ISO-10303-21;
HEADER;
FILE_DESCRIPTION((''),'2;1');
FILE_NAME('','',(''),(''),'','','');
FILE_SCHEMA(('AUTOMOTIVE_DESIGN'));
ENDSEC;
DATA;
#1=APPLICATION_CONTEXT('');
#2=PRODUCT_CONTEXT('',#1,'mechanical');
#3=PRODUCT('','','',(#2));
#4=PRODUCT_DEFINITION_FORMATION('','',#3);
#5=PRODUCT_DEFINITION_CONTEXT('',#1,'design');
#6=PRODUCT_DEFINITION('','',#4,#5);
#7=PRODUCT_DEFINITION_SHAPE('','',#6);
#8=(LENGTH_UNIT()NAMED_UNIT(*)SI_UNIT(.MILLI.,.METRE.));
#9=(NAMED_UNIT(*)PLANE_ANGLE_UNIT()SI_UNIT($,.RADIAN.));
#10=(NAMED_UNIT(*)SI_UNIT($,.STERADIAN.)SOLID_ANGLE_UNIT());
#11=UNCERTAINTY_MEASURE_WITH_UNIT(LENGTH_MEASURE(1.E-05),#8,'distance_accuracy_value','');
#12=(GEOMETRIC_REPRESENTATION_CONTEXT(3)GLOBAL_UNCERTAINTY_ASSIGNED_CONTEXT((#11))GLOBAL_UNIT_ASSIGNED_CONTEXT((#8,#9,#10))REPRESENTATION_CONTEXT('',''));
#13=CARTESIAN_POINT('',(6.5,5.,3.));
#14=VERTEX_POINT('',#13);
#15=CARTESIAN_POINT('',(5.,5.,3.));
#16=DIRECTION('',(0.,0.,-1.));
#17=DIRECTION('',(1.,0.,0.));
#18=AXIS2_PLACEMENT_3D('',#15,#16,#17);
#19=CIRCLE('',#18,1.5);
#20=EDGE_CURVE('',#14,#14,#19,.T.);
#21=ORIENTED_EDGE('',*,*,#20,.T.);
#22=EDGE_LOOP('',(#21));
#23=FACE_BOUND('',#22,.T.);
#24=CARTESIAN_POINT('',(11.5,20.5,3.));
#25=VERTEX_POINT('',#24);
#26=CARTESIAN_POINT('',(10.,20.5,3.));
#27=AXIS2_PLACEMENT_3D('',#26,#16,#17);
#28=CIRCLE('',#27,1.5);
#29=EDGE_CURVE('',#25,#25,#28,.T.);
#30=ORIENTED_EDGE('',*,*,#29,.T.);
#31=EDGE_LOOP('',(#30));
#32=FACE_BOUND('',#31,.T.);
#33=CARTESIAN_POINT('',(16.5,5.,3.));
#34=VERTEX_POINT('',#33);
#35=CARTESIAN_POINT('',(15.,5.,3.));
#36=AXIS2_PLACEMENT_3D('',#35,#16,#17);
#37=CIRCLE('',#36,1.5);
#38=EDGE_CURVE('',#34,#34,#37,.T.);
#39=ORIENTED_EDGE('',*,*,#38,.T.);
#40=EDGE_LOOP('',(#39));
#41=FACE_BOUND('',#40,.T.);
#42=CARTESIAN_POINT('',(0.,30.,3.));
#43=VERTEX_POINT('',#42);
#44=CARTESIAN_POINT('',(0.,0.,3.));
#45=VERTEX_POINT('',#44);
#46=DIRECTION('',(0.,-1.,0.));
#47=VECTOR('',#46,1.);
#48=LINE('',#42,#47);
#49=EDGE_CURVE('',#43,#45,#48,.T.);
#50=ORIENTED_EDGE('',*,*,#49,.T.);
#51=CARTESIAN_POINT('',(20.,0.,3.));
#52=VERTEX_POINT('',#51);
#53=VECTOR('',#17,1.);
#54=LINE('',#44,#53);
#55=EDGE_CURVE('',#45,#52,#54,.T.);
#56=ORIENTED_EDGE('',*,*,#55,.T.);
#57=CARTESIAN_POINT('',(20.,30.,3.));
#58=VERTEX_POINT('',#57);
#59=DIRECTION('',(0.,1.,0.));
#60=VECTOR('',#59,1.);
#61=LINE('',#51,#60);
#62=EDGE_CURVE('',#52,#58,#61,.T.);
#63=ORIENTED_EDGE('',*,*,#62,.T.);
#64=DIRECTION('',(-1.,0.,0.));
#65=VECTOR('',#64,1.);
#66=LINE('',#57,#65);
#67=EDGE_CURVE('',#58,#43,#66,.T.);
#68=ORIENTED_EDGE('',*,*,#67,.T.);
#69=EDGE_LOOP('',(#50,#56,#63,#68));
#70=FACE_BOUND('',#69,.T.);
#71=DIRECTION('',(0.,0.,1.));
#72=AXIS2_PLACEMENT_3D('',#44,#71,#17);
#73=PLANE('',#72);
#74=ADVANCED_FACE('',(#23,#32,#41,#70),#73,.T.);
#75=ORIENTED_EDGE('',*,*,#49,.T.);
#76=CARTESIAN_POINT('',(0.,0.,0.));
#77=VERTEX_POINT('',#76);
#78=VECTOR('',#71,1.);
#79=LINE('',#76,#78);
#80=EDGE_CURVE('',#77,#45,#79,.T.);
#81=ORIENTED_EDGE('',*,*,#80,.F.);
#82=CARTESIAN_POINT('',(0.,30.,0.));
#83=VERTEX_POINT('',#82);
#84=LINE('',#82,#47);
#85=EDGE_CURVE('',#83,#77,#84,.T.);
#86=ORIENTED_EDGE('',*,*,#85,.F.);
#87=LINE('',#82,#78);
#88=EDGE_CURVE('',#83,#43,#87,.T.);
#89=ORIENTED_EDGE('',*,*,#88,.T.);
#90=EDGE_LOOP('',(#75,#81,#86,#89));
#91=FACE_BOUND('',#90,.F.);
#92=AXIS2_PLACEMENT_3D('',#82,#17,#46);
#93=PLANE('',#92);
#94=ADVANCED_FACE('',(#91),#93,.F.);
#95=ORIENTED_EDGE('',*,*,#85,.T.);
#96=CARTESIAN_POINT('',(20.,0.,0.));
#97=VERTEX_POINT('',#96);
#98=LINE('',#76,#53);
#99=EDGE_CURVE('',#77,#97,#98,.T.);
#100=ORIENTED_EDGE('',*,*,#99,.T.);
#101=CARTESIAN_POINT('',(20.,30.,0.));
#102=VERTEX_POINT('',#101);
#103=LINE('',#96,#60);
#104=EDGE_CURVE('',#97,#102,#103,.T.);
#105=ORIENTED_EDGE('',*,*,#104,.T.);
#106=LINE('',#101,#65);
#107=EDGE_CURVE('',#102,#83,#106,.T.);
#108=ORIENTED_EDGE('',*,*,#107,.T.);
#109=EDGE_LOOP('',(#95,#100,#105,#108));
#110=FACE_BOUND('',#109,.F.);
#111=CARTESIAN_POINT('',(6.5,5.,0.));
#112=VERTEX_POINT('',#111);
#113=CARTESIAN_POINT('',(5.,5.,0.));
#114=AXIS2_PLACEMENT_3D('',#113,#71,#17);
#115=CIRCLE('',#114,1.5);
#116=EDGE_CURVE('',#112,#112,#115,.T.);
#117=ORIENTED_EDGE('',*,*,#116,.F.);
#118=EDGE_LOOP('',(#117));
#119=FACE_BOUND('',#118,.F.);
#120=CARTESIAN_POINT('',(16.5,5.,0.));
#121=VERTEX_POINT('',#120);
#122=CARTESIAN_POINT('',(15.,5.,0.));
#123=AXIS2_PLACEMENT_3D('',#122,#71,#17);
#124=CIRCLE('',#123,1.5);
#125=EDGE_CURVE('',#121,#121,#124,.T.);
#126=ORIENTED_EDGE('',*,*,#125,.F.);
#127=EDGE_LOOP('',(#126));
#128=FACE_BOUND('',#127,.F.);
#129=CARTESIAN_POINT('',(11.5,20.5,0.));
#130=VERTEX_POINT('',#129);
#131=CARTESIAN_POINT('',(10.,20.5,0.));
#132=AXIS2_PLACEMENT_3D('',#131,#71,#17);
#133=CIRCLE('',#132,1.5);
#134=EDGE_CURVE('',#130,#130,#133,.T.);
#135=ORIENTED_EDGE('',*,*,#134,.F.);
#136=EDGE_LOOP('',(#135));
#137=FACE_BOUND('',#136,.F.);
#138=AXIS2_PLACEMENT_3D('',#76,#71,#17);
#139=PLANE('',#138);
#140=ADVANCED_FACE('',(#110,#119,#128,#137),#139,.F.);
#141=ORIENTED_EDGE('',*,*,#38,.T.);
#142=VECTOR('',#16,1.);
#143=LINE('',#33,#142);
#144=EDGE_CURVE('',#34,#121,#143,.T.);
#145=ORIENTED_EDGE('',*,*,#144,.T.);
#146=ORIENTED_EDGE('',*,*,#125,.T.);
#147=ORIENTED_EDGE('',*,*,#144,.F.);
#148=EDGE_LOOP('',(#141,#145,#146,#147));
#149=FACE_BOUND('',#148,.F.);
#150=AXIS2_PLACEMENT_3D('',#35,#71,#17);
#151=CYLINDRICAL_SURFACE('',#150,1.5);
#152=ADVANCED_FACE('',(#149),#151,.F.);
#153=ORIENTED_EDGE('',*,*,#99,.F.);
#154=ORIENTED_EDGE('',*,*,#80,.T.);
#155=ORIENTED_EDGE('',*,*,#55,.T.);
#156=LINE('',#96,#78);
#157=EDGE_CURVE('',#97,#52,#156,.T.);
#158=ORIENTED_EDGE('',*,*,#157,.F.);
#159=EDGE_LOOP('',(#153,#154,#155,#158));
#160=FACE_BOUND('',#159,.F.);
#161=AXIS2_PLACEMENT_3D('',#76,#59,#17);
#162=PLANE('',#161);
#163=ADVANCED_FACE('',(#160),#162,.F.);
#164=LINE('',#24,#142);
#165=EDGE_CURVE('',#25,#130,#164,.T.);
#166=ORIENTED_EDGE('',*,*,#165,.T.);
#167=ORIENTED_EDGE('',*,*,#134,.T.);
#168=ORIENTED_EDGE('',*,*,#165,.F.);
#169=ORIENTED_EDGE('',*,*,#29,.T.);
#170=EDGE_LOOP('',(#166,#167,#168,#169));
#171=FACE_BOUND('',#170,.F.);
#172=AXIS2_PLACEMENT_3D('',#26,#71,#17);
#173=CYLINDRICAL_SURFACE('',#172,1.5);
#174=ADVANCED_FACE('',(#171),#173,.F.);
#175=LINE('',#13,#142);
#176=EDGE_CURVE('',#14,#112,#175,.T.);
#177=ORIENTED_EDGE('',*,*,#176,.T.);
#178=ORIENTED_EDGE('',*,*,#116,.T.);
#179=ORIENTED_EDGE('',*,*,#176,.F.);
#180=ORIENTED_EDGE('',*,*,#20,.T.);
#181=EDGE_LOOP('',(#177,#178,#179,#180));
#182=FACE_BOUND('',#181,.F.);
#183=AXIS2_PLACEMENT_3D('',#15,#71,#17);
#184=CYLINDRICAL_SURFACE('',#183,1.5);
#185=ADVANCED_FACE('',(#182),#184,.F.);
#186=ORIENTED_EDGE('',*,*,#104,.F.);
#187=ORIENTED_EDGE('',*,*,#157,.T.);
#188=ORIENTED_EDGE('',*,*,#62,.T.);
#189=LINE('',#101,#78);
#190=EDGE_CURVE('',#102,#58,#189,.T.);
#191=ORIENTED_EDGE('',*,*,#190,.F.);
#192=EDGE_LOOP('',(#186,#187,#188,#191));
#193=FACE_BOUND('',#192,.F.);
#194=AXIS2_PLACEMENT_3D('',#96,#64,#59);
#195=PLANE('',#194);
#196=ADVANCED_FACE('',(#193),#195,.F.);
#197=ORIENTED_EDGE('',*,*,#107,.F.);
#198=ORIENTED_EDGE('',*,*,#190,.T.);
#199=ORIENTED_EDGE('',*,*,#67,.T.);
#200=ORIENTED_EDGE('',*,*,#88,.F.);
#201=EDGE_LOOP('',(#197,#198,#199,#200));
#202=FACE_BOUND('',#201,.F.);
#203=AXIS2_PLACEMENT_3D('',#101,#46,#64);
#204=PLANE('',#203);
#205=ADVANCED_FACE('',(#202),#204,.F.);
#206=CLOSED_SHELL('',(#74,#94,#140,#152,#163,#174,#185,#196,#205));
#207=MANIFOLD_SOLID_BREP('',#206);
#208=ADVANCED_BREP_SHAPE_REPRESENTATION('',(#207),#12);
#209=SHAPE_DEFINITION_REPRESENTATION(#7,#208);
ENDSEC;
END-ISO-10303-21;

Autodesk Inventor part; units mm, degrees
ref_plane "YZ Plane" through (0, 0, 0) normal (1, 0, 0) x (0, 1, 0)
ref_plane "XZ Plane" through (0, 0, 0) normal (0, 1, 0) x (-1, 0, 0)
ref_plane "XY Plane" through (0, 0, 0) normal (0, 0, 1) x (1, 0, 0)
sketch "Sketch1" plane through (0, 0, 0) normal (0, 0, 1) x (1, 0, 0)
  line L0 (0, 0) -> (20, 0)
  line L1 (20, 0) -> (20, 30)
  line L2 (20, 30) -> (0, 30)
  line L3 (0, 30) -> (0, 0)
  dimension "d0" = 20
  dimension "d1" = 30
extrude "Extrusion1" add sketch "Sketch1" along normal blind 3
sketch "Sketch2" plane through (0, 0, 3) normal (0, 0, 1) x (1, 0, 0)
  line L0 (0, 0) -> (20, 0) projected
  line L1 (20, 0) -> (20, 30) projected
  line L2 (20, 30) -> (0, 30) projected
  line L3 (0, 30) -> (0, 0) projected
  line L4 (0, 5) -> (20, 5)
  line L5 (10, 0) -> (10, 30)
  circle A0 centre (5, 5) radius 1.5
  circle A1 centre (15, 5) radius 1.5
  dimension "d4" = 3
  dimension "d5" = 10
  dimension "d6" = 10
extrude "Extrusion2" cut sketch "Sketch2" against normal blind 3 contours A0 L4 | L4 A0 | A1 L4 | L4 A1
sketch "Sketch4" plane through (0, 0, 3) normal (0, 0, 1) x (1, 0, 0)
  line L0 (0, 0) -> (20, 0) projected
  line L1 (20, 30) -> (0, 30) projected
  line L2 (10, 30) -> (10, 0)
  circle A0 centre (10, 20.5) radius 1.5
  dimension "d13" = 3
  dimension "d14" = 9.5
extrude "Extrusion4" cut sketch "Sketch4" against normal blind 3
properties part number "limit-holders"
